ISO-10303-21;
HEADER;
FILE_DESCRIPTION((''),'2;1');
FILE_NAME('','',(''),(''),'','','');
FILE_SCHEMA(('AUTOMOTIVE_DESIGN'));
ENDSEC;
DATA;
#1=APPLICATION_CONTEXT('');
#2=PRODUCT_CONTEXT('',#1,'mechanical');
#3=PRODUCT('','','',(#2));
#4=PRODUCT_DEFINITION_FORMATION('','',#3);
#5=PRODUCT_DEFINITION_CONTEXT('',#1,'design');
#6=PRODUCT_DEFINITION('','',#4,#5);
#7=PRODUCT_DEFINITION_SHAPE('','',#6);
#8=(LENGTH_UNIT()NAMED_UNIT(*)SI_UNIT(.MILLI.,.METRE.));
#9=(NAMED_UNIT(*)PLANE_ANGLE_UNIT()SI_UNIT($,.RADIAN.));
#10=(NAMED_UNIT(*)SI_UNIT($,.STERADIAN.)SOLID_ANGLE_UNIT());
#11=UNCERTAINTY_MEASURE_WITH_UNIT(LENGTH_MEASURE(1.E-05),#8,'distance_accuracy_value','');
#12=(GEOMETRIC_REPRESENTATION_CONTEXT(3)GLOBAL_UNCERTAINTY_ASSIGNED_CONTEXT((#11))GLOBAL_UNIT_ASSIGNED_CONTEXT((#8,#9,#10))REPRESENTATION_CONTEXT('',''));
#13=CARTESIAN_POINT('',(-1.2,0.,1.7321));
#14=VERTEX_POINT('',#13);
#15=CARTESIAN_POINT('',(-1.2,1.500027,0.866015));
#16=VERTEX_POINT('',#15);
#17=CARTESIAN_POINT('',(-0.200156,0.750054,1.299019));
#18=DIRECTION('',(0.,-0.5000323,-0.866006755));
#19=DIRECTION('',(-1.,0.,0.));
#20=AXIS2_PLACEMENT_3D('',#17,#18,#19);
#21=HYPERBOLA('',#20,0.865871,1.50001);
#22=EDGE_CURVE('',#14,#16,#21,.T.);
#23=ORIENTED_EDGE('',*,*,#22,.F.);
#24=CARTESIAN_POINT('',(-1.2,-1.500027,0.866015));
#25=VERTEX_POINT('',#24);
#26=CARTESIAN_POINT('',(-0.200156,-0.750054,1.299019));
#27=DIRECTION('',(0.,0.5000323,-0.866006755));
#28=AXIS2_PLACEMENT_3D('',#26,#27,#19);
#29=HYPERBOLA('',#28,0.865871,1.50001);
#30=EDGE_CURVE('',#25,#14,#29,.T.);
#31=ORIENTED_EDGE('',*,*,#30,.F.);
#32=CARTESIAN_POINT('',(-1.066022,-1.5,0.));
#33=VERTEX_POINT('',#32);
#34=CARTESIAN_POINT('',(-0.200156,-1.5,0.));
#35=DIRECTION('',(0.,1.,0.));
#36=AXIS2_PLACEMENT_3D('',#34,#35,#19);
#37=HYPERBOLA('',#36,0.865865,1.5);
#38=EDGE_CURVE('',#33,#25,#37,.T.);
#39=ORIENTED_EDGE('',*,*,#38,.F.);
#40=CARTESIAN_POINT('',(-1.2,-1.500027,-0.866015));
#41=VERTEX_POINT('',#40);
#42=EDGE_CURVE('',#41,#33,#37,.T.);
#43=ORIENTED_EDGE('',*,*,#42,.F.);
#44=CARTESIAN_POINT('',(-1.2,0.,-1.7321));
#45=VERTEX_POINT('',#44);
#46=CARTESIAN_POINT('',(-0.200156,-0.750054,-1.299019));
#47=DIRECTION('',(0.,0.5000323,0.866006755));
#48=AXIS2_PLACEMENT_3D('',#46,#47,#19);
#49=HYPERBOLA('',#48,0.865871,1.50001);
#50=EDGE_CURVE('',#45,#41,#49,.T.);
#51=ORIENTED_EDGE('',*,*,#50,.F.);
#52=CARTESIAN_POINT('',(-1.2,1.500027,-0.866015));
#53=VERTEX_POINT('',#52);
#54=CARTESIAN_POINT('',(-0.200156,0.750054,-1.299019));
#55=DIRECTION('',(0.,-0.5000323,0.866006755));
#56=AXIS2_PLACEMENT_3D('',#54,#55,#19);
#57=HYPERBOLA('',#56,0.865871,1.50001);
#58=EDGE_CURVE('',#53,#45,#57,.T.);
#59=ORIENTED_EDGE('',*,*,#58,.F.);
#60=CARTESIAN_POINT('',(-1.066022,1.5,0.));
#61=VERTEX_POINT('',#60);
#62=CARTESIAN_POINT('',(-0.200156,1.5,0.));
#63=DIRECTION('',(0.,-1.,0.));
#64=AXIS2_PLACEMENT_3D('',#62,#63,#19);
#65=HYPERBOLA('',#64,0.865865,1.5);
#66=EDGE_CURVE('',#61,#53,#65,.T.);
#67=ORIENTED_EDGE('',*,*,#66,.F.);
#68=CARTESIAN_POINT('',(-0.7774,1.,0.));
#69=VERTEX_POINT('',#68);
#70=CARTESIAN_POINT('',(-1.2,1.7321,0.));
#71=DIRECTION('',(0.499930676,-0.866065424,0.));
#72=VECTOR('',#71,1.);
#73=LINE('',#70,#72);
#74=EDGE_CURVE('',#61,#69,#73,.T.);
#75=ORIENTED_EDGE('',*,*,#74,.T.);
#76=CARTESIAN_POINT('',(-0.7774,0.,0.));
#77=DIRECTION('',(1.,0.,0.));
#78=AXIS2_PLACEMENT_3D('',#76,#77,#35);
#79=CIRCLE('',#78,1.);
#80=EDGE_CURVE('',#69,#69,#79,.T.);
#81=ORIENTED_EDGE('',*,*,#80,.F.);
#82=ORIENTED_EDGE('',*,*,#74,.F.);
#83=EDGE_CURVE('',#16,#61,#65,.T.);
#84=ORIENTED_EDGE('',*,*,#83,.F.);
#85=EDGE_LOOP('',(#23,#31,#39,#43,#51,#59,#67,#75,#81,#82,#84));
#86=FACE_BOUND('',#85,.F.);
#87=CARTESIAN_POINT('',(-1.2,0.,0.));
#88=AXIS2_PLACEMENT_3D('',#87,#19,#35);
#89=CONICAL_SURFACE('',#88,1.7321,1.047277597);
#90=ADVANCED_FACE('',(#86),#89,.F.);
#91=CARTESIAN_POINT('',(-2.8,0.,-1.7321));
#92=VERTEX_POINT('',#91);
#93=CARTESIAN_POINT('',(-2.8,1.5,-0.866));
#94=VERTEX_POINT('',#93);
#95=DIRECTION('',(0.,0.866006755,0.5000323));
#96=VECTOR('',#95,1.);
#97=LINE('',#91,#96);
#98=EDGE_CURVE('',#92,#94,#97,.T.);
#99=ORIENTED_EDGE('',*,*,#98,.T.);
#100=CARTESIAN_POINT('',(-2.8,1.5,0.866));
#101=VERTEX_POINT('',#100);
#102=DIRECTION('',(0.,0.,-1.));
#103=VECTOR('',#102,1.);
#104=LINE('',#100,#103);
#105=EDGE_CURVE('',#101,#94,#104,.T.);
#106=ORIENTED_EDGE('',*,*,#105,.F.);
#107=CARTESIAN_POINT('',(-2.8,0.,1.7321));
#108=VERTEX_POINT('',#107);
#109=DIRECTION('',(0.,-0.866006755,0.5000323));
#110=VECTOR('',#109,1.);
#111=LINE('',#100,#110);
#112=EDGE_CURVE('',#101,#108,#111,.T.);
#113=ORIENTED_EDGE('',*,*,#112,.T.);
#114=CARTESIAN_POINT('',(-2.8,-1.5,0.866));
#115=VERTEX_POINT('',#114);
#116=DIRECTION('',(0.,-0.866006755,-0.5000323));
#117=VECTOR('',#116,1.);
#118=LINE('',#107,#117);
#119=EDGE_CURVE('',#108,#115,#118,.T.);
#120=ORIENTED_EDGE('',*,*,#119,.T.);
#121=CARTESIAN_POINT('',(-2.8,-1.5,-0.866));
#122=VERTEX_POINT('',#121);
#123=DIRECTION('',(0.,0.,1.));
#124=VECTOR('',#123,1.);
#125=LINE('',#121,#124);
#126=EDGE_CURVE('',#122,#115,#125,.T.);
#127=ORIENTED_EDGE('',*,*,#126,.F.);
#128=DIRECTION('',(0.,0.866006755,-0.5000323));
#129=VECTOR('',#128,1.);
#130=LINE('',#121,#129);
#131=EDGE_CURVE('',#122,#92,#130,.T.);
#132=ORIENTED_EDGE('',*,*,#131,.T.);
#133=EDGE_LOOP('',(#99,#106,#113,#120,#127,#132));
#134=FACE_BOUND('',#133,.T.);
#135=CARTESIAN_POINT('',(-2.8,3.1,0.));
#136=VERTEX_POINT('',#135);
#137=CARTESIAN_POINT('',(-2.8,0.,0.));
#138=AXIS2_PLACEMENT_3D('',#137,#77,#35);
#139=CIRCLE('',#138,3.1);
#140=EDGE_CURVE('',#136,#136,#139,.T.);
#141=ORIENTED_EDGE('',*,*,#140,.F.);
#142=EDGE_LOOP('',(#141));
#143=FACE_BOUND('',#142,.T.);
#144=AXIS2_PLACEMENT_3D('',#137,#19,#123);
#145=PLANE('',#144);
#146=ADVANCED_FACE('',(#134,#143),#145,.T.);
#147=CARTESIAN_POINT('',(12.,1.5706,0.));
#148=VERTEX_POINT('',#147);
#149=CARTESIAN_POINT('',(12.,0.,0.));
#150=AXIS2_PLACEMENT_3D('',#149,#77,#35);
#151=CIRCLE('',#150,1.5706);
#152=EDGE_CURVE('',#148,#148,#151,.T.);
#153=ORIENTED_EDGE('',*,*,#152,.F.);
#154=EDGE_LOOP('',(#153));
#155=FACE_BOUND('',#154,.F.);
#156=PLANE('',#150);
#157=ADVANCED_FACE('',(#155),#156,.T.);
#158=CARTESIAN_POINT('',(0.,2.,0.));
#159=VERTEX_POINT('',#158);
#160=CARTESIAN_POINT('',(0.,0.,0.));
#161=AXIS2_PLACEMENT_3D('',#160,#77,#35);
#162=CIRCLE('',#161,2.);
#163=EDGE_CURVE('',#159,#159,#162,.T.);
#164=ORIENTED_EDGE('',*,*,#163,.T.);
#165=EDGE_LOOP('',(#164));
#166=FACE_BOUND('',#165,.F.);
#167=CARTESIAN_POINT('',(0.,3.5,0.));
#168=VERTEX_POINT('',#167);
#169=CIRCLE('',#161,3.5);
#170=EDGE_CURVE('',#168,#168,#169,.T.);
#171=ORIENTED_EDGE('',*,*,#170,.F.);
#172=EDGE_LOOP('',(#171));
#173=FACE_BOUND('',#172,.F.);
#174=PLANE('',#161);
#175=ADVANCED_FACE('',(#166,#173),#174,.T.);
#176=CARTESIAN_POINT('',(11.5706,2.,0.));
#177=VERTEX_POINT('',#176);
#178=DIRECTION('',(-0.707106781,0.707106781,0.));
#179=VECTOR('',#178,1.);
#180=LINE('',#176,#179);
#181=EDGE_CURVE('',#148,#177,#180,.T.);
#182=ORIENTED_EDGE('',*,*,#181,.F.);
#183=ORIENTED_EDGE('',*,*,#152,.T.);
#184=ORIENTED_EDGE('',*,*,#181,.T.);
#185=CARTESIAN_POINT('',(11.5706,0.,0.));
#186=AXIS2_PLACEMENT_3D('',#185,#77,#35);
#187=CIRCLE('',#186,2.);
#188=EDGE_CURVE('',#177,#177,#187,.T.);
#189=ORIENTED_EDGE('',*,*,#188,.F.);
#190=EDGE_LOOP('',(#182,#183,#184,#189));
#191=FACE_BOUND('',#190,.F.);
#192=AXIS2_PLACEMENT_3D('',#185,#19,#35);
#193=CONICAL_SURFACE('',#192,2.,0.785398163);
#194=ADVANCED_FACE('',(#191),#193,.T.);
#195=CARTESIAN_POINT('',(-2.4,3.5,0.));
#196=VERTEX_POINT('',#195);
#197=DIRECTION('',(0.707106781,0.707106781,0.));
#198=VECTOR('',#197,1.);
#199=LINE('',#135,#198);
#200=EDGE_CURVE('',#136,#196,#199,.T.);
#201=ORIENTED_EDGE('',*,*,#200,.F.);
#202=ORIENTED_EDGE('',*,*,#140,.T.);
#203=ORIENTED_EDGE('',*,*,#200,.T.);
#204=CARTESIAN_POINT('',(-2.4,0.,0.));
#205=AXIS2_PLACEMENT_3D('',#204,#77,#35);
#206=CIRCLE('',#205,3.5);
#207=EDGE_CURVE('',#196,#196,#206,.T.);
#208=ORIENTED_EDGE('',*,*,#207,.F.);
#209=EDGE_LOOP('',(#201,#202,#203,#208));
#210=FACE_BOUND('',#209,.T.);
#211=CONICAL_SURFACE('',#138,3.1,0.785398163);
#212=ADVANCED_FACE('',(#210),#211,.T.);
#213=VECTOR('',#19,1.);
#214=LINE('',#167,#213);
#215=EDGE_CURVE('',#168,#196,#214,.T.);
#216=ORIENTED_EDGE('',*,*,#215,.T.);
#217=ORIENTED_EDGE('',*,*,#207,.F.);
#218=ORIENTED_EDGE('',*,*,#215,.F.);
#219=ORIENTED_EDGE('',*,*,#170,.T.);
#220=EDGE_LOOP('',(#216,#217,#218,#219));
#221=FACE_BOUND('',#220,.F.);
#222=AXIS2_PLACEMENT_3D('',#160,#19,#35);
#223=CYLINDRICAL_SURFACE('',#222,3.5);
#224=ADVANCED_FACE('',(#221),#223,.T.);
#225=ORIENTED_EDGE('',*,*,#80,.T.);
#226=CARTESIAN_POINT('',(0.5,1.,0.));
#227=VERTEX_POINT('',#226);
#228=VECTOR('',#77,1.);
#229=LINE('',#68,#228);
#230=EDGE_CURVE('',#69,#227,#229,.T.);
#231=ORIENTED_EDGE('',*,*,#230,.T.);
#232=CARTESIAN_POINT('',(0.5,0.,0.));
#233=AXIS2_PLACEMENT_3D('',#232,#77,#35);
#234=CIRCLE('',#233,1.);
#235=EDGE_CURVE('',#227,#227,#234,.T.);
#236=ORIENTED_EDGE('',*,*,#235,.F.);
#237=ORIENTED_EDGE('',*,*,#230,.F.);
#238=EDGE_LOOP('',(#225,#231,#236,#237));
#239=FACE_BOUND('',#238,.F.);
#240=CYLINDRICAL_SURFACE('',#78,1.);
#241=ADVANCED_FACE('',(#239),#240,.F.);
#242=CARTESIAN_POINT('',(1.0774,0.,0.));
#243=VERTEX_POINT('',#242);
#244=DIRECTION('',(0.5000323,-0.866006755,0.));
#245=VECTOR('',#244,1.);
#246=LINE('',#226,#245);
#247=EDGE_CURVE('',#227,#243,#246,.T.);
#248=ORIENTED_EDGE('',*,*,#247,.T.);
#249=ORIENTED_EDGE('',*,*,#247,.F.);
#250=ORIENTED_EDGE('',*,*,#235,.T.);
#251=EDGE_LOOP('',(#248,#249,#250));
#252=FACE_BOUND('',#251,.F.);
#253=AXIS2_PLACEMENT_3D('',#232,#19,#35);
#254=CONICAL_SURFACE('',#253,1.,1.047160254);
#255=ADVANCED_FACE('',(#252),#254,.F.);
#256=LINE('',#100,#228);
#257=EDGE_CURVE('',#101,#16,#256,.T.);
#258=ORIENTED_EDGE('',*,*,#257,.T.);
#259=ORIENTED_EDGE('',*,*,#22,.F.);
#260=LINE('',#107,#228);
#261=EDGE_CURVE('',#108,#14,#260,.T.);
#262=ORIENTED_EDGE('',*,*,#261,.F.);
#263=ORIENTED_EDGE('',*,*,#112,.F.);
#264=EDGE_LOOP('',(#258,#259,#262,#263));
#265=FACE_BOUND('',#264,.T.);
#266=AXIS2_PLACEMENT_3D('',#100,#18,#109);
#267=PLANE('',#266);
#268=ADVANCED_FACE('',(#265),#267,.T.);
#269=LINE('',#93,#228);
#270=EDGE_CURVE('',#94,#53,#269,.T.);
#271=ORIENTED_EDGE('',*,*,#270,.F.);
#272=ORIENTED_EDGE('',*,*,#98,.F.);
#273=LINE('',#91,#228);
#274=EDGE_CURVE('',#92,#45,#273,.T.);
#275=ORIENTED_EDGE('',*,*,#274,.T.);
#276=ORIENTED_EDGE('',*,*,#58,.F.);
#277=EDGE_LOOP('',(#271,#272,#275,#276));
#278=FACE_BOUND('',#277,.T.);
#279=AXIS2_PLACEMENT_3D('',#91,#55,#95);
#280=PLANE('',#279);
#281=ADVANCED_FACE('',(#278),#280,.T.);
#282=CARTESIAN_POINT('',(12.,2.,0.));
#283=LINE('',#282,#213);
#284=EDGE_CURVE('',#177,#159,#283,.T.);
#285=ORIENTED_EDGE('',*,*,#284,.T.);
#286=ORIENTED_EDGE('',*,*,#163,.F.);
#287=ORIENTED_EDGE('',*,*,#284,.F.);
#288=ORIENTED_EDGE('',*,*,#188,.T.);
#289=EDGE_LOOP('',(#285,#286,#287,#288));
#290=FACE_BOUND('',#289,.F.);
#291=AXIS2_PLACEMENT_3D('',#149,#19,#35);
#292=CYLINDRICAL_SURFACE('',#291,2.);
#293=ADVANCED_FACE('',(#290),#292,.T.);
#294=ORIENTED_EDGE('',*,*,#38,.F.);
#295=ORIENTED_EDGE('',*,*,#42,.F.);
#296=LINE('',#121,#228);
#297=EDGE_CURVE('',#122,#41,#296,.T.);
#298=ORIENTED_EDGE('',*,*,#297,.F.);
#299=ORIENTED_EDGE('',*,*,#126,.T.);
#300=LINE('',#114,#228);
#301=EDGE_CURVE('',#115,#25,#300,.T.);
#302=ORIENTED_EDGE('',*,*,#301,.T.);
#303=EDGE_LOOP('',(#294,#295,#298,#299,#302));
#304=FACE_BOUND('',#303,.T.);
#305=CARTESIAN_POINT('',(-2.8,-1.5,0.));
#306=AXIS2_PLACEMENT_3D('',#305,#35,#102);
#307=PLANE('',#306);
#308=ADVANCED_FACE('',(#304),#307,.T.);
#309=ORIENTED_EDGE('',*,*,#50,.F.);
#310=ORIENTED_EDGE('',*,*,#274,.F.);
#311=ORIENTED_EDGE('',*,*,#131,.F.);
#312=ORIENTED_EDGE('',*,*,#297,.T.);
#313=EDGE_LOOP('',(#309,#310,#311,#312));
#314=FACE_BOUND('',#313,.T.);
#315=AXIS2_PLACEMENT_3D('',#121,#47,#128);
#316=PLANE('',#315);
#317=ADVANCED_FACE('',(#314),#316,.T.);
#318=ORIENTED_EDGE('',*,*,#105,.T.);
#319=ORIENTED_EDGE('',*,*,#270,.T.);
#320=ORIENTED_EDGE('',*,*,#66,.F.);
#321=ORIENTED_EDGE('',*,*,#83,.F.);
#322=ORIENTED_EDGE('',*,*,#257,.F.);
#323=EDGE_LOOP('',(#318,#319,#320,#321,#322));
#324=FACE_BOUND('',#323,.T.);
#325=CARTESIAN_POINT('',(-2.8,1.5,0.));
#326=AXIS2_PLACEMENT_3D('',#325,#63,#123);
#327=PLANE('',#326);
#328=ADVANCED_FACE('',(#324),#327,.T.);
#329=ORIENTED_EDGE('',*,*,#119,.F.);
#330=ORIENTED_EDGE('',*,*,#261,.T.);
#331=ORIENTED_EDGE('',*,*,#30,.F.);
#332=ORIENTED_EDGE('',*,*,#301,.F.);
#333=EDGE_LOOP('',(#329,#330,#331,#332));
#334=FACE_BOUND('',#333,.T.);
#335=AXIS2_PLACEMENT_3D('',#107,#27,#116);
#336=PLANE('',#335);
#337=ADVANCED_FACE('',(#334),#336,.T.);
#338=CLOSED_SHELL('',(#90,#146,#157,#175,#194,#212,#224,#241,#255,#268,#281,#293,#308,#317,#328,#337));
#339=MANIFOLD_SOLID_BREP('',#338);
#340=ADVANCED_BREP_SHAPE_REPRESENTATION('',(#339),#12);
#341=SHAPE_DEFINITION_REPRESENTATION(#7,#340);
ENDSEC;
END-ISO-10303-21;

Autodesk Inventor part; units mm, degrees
ref_plane "YZ Plane" through (0, 0, 0) normal (1, 0, 0) x (0, 1, 0)
ref_plane "XZ Plane" through (0, 0, 0) normal (0, 1, 0) x (-1, 0, 0)
sketch "Sketch1" plane through (0, 0, 0) normal (0, 0, 1) x (1, 0, 0)
  line L0 (1.0774, 0) -> (12, 0)
  line L1 (12, 0) -> (12, 2)
  line L2 (12, 2) -> (0, 2)
  line L3 (0, 2) -> (0, 3.5)
  line L4 (0, 3.5) -> (-2.8, 3.5)
  line L5 (-2.8, 3.5) -> (-2.8, 1.7321)
  line L6 (-2.8, 1.7321) -> (-1.2, 1.7321)
  line L7 (-1.2, 1.7321) -> (-0.7774, 1)
  line L8 (-5.76, 0) -> (14.96, 0) projected
  line L9 (0, -0.7) -> (0, 4.2) projected
  line L10 (-0.7774, 1) -> (0.5, 1)
  line L11 (0.5, 1) -> (1.0774, 0)
  line L12 (-2.8, 1.7321) -> (-2.8, 0) construction
  line L13 (-2.8, 3.1) -> (-2.4, 3.5)
  dimension "d0" = 2.8
  dimension "d1" = 1.6
  dimension "d2" = 60
  dimension "d3" = 4
  dimension "d4" = 3.4641
  dimension "d5" = 7
  dimension "d15" = 3.3
  dimension "d16" = 2
  dimension "d17" = 12
  dimension "d32" = 45
  dimension "d33" = 0.4
revolve "Body" add sketch "Sketch1" angle 360 about axis through (1.0774, 0, 0) along (1, 0, 0) contours L11 L10 L9 L2 L1 L0 | L10 L7 L6 L5 L13 L4 L3 L9 | L13 L5 L4
revolve "Chamfer2" cut sketch "Sketch1" angle 360 about axis through (-10, 0, 0) along (1, 0, 0) contours L13 L5 L4
sketch "Sketch2" plane through (-2.8, 0, 0) normal (-1, 0, 0) x (0, 0, 1)
  circle A0 centre (0, 0) radius 1.7321 projected
  line L0 (0, -4.9) -> (0, 4.9) projected
  line L1 (-4.9, 0) -> (4.9, 0) projected
  line L2 (1.7321, 0) -> (0.866, -1.5)
  line L3 (0.866, -1.5) -> (-0.866, -1.5)
  line L4 (-0.866, -1.5) -> (-1.7321, 0)
  line L5 (-1.7321, 0) -> (-0.866, 1.5)
  line L6 (-0.866, 1.5) -> (0.866, 1.5)
  line L7 (0.866, 1.5) -> (1.7321, 0)
extrude "Slot" add sketch "Sketch2" against normal up to next contours L7 A0 | A0 L2 | L6 L0 A0 | A0 L0 L3 | L0 L6 A0 | A0 L3 L0 | L4 A0 | A0 L5
thread "Thread" size "M4x0.7" class "6g" standard "ISO Metric profile" length 8.5
chamfer "Chamfer1" distance 0.4294 distance2 0.4294 1 edges at (12, -2, 0) measured on face at (12, -1.1003, -0.6618)
ref_plane "Work Plane1" through (6, 0, 0) normal (0, 0.5, 0.866) x (1, 0, 0)
equation "\"d0\" = KOH"
equation "\"d1\" = INTI"
equation "\"d3\" = GD"
equation "\"d4\" = 1.1547 * SW"
equation "\"d5\" = KOD"
equation "\"d15\" = INFT"
equation "\"d16\" = SDT"
equation "\"d17\" = NLG"
equation "\"d33\" = Cham"
equation "\"d7\" = GEL"
equation "\"d9\" = -0.5 * SPD + 0.5 * GD"
equation "\"d12\" = GUL"
equation "\"GD\" = NND"
equation "\"NLG\" = 12"
equation "\"GEL\" = 8.5"
equation "\"KOD\" = 7"
equation "\"KOH\" = 2.8"
equation "\"GUL\" = 0.61345 * PTC"
equation "\"SW\" = 3"
equation "\"INTI\" = 1.6"
equation "\"SPD\" = NND - 1.2269 * PTC"
equation "\"SDT\" = 2"
equation "\"INFT\" = 3.3"
equation "\"Cham\" = 0.4"
equation "\"TOA\" = 30deg"
equation "\"GD1\" = THREADDIA - 1.2269 * PTC"
equation "\"THREADDIA\" = 4"
equation "\"BDM\" = NND"
equation "\"FAWI\" = 45deg"
equation "\"RR\" = 0.1 * NND"
equation "\"PTC\" = 0.7"
equation "\"NND\" = 4"
equation "\"FAWI1\" = 45deg"
equation "\"GAL\" = 0.61345 * PTC"
equation "\"E0\" = 1.155 * SW"
properties part number "DIN 6912 - M4 x 12" material "Steel, Mild"
